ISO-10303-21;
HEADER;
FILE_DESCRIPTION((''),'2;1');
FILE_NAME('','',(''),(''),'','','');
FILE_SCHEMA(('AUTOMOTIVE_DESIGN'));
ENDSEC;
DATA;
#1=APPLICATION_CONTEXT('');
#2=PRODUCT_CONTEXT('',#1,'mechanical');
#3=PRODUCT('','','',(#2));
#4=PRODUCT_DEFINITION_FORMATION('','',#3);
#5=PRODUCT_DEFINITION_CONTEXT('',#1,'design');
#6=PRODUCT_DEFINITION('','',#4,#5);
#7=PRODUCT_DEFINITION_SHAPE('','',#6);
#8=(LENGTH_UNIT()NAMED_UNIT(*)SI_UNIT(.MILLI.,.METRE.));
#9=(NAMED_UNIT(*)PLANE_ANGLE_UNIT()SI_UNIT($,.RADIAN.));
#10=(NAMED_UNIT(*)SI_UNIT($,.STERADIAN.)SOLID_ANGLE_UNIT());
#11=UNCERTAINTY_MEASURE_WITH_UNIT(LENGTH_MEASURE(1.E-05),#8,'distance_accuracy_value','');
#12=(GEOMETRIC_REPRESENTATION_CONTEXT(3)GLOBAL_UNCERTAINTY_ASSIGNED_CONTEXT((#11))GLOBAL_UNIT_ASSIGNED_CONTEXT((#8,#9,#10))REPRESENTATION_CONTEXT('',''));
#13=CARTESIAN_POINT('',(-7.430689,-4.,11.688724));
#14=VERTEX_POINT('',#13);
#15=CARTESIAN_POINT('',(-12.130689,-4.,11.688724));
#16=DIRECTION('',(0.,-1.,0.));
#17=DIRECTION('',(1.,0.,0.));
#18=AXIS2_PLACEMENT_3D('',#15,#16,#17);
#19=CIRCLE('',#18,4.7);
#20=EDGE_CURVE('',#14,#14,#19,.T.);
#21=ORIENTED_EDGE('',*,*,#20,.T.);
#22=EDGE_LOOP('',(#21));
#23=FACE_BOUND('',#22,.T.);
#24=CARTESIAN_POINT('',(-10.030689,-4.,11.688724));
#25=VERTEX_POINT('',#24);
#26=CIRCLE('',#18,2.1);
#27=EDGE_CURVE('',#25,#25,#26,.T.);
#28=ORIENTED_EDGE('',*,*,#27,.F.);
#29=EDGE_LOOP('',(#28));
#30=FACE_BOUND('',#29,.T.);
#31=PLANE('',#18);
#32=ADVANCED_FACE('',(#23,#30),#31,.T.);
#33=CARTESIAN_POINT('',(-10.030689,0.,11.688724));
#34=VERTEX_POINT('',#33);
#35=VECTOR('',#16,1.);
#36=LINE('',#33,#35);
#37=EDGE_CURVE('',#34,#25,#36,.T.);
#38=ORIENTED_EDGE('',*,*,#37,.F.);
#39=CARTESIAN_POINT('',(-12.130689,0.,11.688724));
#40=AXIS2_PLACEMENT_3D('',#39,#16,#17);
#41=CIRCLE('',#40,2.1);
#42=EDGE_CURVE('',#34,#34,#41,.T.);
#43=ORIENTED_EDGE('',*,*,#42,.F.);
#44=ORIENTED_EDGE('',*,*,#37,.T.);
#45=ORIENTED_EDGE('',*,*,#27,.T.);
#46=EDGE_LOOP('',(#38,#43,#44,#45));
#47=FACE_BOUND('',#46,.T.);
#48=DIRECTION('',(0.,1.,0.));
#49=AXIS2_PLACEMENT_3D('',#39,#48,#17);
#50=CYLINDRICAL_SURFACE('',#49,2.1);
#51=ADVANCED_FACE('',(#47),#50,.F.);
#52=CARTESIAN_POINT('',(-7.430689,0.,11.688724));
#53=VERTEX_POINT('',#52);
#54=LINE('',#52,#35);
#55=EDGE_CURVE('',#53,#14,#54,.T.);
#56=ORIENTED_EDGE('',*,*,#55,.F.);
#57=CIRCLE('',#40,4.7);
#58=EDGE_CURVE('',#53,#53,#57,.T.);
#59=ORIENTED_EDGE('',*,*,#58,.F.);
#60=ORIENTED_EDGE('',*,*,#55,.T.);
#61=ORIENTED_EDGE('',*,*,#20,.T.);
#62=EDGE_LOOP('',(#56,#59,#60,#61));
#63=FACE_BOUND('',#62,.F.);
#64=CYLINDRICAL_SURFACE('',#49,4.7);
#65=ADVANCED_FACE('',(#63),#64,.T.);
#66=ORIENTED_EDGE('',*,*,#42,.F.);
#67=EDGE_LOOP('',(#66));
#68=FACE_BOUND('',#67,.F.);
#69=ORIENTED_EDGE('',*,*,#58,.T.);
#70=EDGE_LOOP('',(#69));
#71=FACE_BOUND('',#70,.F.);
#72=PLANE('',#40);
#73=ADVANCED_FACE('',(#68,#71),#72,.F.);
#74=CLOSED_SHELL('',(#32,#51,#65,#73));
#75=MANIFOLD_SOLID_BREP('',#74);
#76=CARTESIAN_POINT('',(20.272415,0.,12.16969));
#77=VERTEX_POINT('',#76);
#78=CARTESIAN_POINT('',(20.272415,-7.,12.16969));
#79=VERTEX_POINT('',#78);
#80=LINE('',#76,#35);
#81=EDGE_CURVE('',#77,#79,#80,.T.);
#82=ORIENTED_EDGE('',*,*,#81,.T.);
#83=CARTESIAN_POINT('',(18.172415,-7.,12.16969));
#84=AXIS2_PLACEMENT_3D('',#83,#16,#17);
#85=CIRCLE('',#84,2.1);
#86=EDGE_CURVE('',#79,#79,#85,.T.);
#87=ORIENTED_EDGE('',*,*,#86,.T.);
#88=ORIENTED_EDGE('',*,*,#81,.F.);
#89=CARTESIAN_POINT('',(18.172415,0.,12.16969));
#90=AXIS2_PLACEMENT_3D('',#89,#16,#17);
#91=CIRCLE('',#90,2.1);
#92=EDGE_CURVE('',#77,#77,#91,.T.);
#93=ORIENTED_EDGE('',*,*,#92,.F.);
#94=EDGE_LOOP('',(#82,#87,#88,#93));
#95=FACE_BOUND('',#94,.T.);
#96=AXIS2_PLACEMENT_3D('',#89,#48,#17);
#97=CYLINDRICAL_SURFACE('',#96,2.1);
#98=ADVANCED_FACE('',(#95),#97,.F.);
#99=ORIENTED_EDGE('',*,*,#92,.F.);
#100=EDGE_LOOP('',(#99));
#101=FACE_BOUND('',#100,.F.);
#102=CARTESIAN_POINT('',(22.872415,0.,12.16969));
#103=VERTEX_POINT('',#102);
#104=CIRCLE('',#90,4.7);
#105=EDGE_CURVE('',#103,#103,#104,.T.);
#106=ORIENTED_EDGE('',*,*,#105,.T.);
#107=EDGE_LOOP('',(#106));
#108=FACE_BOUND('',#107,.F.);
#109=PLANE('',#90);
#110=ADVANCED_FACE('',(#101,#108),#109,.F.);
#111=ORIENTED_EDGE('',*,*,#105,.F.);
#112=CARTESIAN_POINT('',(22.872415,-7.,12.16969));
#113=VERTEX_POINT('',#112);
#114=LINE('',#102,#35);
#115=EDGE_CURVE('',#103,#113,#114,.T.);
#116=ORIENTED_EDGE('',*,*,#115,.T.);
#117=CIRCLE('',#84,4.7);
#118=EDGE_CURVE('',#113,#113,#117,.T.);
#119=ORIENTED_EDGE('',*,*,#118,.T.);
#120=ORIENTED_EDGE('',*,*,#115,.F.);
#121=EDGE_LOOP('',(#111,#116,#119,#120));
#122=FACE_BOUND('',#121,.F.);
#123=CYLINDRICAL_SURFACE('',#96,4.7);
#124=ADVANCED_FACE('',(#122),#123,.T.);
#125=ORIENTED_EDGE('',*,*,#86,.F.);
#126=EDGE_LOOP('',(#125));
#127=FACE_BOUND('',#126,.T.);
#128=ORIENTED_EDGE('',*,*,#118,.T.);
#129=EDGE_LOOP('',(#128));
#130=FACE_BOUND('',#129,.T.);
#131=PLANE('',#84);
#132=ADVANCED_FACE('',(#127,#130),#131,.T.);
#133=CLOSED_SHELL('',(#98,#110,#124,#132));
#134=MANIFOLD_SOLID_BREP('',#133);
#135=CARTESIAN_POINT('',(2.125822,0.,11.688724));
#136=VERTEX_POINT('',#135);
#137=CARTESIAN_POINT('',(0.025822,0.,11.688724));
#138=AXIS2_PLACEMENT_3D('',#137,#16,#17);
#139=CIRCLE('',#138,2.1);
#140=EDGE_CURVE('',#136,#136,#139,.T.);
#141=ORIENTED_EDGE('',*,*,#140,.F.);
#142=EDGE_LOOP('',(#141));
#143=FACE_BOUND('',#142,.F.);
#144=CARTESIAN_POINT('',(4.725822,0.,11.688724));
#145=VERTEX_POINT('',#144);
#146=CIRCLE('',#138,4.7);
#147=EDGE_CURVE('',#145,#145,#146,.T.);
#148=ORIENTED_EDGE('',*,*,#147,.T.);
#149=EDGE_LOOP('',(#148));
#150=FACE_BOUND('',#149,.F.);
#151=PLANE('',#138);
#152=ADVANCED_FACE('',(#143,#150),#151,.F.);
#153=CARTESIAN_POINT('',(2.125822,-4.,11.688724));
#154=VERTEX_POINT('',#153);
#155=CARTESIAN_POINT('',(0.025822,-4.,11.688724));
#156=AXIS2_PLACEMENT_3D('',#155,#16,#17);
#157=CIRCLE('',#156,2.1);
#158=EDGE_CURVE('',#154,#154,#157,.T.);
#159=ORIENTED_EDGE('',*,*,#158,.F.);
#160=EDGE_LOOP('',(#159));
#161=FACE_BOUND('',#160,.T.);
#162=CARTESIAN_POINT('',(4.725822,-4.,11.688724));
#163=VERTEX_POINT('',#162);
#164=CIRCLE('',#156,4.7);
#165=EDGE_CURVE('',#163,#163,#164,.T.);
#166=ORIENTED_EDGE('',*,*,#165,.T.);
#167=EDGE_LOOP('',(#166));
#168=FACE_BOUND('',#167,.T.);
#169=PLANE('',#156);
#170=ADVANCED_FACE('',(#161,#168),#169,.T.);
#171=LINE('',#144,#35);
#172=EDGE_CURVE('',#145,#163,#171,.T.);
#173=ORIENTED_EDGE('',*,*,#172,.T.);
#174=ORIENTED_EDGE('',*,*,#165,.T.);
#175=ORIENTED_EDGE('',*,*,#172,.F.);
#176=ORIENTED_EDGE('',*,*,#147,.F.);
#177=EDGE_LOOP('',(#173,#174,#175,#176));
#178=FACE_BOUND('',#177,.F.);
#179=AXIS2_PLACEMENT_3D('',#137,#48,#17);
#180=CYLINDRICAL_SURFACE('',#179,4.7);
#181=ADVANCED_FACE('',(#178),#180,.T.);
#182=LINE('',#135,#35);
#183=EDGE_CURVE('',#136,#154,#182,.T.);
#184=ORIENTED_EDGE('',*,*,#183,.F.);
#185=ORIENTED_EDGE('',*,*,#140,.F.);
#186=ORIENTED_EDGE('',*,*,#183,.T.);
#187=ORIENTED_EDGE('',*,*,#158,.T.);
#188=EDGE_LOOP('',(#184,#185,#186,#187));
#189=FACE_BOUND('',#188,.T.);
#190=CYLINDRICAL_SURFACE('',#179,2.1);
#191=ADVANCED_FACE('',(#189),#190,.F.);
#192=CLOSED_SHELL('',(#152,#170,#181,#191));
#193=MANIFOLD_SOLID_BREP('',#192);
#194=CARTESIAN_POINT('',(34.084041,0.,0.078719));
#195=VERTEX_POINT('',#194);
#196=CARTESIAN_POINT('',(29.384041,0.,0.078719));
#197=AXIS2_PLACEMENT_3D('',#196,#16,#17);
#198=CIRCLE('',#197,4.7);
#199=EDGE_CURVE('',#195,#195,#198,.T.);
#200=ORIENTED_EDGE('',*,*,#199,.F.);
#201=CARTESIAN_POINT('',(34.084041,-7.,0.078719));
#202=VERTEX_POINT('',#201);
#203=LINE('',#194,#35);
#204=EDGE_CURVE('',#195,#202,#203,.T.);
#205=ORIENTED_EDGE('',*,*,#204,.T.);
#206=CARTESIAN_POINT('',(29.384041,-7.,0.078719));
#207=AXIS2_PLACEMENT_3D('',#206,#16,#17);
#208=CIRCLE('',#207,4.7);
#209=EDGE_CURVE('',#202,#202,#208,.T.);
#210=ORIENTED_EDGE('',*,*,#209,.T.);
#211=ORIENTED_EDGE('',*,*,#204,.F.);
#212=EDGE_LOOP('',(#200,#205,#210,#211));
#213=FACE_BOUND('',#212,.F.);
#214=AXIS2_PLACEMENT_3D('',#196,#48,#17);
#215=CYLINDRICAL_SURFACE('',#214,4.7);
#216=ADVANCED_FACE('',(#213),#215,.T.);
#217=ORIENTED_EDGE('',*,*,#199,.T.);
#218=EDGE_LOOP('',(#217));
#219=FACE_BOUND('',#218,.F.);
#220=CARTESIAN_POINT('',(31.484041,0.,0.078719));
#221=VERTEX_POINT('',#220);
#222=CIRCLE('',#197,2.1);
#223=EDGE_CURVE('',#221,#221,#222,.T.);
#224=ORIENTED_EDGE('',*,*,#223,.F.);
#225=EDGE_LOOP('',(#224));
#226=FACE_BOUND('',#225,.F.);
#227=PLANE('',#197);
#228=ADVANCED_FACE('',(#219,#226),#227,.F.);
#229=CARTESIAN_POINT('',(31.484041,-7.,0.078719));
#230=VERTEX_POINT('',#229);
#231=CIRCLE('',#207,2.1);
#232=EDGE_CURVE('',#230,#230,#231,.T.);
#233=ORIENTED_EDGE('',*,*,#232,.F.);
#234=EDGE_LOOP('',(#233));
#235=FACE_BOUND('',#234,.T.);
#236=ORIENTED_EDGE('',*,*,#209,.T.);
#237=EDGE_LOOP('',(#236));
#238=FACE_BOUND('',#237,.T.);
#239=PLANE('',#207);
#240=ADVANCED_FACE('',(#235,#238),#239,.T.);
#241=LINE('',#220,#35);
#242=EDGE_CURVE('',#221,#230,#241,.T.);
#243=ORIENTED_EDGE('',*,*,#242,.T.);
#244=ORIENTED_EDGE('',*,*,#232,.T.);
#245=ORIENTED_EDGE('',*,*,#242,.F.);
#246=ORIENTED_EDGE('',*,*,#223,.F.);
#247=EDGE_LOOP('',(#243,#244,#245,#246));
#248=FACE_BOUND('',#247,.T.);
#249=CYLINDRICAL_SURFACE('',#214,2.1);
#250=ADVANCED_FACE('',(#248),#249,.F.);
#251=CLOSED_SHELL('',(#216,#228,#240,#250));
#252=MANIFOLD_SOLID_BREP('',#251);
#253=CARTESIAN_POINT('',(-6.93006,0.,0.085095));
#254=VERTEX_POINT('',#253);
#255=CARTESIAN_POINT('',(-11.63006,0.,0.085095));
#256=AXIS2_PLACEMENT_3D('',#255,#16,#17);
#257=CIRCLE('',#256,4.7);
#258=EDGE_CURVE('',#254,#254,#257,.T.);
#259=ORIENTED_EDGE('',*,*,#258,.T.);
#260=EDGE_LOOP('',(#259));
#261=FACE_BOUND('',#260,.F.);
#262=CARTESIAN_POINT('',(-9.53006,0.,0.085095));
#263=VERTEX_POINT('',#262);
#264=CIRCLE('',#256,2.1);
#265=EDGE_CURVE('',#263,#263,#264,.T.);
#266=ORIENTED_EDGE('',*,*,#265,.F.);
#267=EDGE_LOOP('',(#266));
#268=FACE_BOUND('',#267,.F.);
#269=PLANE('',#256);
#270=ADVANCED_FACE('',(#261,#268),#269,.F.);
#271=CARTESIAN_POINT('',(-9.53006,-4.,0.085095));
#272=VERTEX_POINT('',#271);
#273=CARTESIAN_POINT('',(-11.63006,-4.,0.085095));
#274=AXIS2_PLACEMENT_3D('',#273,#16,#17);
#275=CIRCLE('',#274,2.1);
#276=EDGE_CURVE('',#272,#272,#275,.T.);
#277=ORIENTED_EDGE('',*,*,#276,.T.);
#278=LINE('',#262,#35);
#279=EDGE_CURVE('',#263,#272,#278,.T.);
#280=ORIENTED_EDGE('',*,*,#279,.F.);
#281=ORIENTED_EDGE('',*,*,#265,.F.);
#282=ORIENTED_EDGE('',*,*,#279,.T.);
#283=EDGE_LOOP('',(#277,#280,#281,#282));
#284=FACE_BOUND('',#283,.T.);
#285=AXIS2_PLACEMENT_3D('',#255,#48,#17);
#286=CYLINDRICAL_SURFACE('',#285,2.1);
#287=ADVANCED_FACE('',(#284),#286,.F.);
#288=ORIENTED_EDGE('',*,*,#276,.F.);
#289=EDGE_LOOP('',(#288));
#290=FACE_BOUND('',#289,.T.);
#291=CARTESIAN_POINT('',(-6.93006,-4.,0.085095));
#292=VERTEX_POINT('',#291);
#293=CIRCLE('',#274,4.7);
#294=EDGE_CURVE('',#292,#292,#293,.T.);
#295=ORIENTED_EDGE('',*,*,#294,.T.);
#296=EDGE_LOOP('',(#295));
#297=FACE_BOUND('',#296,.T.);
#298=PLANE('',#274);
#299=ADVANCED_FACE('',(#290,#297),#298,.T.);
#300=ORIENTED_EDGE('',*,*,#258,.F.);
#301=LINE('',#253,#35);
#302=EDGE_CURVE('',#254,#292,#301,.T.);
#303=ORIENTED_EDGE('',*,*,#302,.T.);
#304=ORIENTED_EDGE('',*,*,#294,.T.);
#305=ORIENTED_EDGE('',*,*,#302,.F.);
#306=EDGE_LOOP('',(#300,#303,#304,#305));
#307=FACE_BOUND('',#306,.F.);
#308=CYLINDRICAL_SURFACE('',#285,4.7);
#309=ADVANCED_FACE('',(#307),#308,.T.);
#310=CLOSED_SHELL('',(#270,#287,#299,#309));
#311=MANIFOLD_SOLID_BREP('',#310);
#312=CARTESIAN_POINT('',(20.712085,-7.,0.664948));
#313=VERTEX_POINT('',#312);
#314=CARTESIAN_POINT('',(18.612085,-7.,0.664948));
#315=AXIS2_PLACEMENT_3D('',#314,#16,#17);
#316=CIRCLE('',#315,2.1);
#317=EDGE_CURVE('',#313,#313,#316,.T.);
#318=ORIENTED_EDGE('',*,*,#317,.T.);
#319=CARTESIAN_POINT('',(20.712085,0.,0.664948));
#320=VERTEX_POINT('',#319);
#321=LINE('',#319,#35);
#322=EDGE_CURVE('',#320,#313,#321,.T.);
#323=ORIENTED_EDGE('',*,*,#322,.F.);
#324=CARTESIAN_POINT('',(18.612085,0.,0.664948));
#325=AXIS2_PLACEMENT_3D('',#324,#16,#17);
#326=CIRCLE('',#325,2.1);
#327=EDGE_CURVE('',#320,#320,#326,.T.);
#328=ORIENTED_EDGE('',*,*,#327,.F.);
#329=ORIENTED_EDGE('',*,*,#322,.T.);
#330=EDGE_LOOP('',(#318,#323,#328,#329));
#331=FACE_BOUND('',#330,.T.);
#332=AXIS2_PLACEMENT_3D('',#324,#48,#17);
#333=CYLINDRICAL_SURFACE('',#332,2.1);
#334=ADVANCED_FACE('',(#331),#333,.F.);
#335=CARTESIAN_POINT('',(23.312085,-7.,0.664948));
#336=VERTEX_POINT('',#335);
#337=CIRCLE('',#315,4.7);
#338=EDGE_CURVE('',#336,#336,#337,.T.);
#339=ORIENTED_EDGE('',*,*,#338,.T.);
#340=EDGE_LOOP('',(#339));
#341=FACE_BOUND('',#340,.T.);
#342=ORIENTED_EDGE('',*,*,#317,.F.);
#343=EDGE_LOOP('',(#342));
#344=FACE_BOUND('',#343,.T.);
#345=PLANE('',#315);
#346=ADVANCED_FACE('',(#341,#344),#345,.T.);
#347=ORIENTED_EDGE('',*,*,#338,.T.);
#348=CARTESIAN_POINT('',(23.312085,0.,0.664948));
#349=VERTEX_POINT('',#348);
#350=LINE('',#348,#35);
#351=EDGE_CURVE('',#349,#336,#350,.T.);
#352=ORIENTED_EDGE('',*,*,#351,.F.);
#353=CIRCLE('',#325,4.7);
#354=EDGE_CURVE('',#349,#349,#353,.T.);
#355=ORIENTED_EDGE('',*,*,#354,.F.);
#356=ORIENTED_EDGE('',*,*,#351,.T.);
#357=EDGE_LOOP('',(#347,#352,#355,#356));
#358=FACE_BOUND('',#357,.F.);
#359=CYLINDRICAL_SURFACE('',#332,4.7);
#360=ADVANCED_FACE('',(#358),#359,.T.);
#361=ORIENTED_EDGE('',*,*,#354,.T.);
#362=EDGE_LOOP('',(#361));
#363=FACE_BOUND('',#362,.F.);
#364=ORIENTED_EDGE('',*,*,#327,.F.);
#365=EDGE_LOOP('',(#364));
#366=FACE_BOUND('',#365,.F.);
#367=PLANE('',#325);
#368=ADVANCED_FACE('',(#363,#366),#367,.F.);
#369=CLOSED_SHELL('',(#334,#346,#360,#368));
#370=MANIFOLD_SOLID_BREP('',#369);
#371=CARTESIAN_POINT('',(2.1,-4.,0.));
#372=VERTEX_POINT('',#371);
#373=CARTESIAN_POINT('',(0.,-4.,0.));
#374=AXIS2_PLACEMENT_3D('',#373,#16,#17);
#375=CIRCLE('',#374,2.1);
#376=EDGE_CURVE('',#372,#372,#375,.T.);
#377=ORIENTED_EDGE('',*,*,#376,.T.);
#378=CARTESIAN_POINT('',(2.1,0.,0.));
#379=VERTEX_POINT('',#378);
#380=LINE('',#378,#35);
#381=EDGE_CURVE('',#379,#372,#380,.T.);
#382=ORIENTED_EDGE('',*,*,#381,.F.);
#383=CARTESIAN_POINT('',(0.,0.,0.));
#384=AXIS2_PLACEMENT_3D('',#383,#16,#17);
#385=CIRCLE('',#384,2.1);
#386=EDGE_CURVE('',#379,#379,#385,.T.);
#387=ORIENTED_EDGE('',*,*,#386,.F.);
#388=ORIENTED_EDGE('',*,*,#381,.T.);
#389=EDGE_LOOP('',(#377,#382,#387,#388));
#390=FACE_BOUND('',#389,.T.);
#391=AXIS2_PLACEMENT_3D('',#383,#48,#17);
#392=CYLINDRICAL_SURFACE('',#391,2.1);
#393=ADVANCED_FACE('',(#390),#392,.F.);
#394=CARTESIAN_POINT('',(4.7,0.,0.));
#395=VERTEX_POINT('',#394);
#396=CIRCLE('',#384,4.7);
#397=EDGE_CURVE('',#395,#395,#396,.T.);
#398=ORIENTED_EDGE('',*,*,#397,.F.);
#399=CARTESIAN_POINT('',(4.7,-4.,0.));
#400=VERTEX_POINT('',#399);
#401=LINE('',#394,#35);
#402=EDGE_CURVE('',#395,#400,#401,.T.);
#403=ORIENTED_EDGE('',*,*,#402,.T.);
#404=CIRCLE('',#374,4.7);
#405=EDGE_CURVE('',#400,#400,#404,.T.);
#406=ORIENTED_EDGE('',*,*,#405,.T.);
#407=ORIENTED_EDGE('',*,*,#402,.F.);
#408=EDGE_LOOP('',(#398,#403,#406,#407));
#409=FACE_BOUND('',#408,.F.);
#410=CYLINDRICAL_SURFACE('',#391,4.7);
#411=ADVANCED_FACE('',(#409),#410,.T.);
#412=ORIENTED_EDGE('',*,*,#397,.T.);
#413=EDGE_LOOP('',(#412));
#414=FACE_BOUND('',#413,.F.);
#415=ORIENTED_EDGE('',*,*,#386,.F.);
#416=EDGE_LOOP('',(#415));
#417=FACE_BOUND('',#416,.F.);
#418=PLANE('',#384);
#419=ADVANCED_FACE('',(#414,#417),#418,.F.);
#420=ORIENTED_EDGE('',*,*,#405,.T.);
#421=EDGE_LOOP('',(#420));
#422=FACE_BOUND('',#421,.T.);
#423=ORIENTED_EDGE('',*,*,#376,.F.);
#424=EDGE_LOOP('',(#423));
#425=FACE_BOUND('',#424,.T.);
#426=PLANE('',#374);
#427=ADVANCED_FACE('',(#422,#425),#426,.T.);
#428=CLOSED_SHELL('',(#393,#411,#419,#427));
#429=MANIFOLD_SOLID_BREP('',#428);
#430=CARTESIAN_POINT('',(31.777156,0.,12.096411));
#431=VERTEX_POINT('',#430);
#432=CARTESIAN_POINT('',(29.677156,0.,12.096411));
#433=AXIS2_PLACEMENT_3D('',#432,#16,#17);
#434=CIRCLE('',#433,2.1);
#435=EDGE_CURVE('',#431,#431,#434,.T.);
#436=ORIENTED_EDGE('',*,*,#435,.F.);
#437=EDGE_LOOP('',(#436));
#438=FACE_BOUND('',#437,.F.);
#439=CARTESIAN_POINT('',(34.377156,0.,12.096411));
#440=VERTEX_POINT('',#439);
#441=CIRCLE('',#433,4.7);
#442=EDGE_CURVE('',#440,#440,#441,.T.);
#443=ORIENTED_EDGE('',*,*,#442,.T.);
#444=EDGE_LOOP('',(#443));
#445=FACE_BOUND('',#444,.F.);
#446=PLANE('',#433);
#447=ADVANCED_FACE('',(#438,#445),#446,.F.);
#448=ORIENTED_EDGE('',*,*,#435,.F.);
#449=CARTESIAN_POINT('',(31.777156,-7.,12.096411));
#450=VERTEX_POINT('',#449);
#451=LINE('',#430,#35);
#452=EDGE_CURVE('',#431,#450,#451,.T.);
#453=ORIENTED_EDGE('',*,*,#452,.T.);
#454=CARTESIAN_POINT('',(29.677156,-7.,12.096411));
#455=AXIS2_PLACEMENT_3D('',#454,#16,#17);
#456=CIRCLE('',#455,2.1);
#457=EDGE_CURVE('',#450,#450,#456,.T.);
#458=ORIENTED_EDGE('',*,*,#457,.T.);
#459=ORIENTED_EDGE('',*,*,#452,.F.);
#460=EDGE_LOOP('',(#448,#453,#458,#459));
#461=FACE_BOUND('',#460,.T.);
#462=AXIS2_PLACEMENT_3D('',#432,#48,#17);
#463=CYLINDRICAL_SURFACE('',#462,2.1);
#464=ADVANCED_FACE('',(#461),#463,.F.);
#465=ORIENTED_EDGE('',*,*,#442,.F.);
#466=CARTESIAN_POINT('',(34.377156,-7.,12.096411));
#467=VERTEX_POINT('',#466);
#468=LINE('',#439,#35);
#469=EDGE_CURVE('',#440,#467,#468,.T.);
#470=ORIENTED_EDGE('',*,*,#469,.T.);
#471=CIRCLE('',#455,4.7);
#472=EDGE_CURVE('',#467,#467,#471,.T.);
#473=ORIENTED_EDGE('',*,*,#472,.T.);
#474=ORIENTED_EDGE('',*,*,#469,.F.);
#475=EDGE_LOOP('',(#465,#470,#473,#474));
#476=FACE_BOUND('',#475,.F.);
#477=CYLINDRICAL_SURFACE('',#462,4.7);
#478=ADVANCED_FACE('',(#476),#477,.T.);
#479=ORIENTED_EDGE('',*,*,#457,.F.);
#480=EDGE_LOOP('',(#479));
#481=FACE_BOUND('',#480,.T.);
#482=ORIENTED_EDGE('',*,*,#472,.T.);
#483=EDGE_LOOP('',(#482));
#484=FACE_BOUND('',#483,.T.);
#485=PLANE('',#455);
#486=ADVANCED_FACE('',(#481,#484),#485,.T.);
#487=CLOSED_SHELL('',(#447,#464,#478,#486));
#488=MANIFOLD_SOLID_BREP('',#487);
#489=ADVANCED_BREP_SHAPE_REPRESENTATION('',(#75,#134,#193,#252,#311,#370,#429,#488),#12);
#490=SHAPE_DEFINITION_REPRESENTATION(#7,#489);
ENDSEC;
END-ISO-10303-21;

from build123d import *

# Parameters (mm, degrees)
F0_R     = 4.7
F0_R_2   = 2.1
F1_DEPTH = 7
F2_DEPTH = 4


with BuildPart() as f1:
    # F0 (on Front) → F1 (new body)
    with BuildSketch(Plane.XZ):
        with Locations((18.172415, 12.16969)):
            Circle(F0_R)
        with Locations((18.172415, 12.16969)):
            Circle(F0_R_2, mode=Mode.SUBTRACT)
        with Locations((29.677156, 12.096411)):
            Circle(F0_R)
        with Locations((29.677156, 12.096411)):
            Circle(F0_R_2, mode=Mode.SUBTRACT)
        with Locations((29.384041, 0.078719)):
            Circle(F0_R)
        with Locations((29.384041, 0.078719)):
            Circle(F0_R_2, mode=Mode.SUBTRACT)
        with Locations((18.612085, 0.664948)):
            Circle(F0_R)
        with Locations((18.612085, 0.664948)):
            Circle(F0_R_2, mode=Mode.SUBTRACT)
    extrude(amount=F1_DEPTH)


with BuildPart() as f2:
    # F0 (on Front) → F2 (new body)
    with BuildSketch(Plane.XZ):
        with Locations((-12.130689, 11.688724)):
            Circle(F0_R)
        with Locations((-12.130689, 11.688724)):
            Circle(F0_R_2, mode=Mode.SUBTRACT)
        with Locations((0.025822, 11.688724)):
            Circle(F0_R)
        with Locations((0.025822, 11.688724)):
            Circle(F0_R_2, mode=Mode.SUBTRACT)
        Circle(F0_R)
        Circle(F0_R_2, mode=Mode.SUBTRACT)
        with Locations((-11.63006, 0.085095)):
            Circle(F0_R)
        with Locations((-11.63006, 0.085095)):
            Circle(F0_R_2, mode=Mode.SUBTRACT)
    extrude(amount=F2_DEPTH)


solid = Compound([f1.part, f2.part])
